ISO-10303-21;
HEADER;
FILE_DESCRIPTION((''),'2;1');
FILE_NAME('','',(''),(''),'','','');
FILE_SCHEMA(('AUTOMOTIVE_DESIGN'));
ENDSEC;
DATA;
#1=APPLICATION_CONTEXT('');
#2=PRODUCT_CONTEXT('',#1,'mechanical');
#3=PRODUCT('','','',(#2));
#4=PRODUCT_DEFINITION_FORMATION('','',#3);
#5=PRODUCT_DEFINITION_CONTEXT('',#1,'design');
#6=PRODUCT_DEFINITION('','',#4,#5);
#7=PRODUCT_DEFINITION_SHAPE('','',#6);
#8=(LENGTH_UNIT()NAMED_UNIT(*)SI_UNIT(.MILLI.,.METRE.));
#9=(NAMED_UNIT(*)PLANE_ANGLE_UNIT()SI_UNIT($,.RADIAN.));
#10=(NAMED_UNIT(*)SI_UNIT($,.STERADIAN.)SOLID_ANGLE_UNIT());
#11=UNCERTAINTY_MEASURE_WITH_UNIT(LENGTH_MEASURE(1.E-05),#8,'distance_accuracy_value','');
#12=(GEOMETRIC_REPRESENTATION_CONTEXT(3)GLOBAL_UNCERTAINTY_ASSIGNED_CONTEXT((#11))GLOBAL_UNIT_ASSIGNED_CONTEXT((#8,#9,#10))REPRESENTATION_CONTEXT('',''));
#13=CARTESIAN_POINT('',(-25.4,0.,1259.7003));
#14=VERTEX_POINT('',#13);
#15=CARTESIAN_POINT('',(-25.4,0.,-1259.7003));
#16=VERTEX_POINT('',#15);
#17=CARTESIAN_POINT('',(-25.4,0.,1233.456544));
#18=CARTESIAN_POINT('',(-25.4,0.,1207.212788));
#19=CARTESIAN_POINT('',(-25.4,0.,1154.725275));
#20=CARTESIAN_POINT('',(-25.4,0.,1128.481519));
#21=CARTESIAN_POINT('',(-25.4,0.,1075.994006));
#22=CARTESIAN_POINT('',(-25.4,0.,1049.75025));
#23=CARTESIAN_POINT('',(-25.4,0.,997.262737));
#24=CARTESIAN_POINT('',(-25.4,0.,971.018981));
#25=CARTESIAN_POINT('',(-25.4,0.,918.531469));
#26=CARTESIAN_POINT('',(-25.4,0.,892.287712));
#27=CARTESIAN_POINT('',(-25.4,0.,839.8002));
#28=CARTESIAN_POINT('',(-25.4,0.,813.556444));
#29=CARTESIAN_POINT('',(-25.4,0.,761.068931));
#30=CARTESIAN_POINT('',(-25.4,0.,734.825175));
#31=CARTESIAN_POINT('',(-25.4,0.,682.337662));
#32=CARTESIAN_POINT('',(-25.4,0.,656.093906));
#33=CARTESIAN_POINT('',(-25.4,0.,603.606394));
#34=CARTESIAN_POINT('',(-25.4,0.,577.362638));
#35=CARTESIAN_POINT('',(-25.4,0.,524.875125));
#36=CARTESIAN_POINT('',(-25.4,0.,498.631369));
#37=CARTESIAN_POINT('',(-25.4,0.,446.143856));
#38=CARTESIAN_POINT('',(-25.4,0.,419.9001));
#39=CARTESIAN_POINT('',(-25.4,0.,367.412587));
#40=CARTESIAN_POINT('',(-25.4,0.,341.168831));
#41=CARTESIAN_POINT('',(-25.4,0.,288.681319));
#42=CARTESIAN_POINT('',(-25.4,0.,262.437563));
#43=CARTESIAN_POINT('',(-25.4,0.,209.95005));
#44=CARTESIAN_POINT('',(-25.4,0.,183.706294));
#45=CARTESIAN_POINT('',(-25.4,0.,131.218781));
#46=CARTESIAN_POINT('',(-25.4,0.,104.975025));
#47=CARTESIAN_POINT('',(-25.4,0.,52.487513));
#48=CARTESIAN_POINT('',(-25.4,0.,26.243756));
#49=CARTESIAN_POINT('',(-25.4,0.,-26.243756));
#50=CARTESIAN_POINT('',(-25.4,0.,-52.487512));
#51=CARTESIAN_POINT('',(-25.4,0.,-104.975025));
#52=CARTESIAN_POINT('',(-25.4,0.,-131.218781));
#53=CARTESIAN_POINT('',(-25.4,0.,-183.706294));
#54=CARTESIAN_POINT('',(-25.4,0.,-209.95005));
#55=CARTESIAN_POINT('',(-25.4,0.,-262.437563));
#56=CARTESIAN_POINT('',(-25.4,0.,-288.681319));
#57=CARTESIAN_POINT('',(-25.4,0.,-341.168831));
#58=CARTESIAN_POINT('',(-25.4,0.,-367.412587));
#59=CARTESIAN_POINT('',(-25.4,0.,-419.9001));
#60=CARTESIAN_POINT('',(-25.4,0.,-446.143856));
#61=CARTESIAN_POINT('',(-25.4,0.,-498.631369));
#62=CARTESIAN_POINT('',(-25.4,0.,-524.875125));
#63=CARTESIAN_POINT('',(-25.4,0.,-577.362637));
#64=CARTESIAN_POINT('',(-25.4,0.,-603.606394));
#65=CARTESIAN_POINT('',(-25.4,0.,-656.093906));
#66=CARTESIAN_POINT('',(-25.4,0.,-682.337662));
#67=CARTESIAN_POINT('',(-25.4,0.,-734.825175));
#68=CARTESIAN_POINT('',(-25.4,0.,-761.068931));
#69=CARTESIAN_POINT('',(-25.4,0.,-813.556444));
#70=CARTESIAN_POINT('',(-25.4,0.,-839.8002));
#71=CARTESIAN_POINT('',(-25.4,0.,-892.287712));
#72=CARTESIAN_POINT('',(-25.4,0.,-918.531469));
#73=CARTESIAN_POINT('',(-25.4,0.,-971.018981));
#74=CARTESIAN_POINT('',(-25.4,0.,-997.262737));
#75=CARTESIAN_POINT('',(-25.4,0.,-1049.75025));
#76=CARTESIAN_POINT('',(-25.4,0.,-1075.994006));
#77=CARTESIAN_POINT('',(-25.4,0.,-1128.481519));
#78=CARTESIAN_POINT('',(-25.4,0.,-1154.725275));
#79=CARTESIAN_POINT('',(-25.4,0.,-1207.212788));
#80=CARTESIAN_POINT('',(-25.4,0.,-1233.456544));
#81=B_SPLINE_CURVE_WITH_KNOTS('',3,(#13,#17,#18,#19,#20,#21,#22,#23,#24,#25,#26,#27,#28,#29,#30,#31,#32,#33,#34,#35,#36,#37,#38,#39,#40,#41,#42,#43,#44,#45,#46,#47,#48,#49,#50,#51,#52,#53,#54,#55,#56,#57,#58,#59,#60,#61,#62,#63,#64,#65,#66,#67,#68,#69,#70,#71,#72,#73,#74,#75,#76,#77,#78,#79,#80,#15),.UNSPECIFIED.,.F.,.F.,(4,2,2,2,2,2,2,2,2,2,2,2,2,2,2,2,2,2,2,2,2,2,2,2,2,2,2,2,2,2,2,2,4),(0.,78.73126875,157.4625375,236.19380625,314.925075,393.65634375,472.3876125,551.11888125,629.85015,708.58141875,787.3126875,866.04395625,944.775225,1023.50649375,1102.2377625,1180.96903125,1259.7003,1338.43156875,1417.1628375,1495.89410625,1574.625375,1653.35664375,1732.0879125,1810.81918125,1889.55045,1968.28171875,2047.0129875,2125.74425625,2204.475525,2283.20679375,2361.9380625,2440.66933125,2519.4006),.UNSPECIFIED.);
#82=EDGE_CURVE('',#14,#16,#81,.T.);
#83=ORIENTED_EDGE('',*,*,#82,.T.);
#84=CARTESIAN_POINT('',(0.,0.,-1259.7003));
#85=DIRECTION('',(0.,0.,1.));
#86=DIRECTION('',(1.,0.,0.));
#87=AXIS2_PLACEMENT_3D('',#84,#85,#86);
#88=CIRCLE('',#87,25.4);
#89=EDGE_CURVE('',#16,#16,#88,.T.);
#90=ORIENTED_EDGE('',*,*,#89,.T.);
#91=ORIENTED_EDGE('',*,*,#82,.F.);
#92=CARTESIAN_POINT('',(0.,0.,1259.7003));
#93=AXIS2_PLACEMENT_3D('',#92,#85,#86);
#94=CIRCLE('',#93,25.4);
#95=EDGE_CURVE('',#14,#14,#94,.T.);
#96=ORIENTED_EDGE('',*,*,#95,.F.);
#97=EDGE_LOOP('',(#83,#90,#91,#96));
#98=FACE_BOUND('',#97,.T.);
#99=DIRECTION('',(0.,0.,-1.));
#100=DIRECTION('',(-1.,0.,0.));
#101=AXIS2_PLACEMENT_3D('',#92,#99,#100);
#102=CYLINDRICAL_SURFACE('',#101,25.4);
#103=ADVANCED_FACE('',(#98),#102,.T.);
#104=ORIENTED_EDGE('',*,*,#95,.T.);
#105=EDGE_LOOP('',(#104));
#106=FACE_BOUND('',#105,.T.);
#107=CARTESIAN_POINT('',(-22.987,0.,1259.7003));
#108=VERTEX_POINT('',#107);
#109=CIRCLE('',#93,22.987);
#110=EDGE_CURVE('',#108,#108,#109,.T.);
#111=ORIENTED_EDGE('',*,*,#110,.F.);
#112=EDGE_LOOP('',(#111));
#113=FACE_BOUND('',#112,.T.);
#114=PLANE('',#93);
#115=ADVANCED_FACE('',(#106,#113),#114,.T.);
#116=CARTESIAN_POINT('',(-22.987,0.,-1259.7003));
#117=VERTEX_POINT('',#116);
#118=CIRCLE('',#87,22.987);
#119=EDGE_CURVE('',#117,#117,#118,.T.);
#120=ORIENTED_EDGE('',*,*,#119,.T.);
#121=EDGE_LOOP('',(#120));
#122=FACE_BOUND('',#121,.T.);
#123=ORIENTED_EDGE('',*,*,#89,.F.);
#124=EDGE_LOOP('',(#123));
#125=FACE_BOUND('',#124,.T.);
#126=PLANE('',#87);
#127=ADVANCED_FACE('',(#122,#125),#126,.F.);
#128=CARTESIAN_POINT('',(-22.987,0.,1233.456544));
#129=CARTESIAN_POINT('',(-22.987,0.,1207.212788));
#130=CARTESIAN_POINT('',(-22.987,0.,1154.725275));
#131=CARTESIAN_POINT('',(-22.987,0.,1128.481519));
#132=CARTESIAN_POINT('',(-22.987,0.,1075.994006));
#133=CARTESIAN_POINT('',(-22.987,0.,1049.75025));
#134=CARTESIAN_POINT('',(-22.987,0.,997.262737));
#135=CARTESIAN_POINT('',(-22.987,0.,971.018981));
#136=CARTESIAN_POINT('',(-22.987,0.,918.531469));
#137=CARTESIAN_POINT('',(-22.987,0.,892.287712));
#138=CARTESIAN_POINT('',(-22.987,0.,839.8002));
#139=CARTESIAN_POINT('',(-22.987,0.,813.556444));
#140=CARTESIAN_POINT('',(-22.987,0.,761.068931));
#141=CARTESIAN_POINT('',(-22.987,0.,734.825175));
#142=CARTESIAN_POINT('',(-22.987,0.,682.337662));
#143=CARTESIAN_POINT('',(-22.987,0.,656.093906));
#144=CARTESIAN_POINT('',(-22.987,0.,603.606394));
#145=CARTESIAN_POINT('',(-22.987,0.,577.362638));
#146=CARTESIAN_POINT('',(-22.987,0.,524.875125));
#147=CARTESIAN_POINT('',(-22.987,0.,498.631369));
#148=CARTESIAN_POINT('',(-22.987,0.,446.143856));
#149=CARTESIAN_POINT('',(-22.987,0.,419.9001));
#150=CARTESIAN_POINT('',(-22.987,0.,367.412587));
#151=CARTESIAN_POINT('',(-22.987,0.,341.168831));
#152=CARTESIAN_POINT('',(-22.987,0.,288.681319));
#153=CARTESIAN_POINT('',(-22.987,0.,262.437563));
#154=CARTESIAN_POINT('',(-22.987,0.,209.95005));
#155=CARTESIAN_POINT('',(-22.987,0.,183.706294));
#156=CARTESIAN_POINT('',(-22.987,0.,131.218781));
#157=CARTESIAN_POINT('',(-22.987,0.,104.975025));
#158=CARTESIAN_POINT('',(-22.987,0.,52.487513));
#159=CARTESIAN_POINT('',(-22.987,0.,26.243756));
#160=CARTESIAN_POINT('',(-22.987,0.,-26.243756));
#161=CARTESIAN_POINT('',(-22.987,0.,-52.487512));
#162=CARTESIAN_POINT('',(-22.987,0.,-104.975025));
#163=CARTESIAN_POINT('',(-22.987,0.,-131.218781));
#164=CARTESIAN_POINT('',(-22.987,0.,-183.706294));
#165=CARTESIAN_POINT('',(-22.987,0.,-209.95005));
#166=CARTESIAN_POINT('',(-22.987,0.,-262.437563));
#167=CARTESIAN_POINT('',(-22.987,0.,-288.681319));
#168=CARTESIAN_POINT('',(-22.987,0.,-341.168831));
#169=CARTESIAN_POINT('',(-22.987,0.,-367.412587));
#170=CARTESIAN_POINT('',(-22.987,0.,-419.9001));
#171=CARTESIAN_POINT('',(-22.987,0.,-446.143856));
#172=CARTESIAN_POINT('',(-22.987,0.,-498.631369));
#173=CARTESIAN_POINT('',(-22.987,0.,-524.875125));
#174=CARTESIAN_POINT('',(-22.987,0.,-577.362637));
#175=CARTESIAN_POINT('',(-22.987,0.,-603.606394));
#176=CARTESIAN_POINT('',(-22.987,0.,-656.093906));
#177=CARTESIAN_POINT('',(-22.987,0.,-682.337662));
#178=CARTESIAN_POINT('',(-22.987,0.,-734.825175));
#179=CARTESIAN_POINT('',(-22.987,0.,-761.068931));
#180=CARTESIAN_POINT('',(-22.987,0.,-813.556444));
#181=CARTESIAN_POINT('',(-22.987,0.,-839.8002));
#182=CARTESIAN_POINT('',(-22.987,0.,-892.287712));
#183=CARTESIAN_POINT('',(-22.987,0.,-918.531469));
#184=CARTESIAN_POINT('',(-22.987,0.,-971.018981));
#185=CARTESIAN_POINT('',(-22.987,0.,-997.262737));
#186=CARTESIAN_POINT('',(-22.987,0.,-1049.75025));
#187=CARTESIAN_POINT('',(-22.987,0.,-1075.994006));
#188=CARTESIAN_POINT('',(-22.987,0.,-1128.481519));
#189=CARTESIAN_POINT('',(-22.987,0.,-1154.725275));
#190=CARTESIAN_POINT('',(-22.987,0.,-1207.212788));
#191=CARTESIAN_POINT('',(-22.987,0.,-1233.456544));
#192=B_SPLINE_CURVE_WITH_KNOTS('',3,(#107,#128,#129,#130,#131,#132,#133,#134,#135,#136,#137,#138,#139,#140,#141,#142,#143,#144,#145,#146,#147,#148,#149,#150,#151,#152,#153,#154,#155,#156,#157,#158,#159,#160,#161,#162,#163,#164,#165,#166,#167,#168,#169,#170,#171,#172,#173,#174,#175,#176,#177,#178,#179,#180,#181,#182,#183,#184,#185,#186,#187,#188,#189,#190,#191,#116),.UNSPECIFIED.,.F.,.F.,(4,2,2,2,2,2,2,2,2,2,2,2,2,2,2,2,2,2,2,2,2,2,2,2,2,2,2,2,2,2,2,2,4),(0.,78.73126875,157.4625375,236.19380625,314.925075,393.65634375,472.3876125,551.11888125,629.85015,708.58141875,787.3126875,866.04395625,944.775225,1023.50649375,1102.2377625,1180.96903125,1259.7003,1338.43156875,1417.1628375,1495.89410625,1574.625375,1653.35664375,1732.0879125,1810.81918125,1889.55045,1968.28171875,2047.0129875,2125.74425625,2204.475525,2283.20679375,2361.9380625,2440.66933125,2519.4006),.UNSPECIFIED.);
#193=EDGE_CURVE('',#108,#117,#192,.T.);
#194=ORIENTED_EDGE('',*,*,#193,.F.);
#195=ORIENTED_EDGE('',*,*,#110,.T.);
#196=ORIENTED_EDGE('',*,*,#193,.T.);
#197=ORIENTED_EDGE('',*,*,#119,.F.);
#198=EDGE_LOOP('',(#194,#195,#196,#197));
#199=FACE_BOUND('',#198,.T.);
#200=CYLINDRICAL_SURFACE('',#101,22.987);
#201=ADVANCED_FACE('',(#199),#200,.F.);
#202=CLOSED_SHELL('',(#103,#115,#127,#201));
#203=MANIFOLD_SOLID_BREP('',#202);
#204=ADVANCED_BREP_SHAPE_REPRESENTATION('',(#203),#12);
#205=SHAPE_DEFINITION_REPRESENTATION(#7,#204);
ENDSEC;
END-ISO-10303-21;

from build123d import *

# Parameters (mm, degrees)
SKETCH1_R      = 25.4
SKETCH1_R_2    = 22.987
EXTRUDE1_DEPTH = 1259.7003


with BuildPart() as part:
    # Sketch1 → Extrude1 (new, symmetric)
    with BuildSketch(Plane.XY):
        Circle(SKETCH1_R)
        Circle(SKETCH1_R_2, mode=Mode.SUBTRACT)
    extrude(amount=EXTRUDE1_DEPTH, both=True)


solid = part.part
